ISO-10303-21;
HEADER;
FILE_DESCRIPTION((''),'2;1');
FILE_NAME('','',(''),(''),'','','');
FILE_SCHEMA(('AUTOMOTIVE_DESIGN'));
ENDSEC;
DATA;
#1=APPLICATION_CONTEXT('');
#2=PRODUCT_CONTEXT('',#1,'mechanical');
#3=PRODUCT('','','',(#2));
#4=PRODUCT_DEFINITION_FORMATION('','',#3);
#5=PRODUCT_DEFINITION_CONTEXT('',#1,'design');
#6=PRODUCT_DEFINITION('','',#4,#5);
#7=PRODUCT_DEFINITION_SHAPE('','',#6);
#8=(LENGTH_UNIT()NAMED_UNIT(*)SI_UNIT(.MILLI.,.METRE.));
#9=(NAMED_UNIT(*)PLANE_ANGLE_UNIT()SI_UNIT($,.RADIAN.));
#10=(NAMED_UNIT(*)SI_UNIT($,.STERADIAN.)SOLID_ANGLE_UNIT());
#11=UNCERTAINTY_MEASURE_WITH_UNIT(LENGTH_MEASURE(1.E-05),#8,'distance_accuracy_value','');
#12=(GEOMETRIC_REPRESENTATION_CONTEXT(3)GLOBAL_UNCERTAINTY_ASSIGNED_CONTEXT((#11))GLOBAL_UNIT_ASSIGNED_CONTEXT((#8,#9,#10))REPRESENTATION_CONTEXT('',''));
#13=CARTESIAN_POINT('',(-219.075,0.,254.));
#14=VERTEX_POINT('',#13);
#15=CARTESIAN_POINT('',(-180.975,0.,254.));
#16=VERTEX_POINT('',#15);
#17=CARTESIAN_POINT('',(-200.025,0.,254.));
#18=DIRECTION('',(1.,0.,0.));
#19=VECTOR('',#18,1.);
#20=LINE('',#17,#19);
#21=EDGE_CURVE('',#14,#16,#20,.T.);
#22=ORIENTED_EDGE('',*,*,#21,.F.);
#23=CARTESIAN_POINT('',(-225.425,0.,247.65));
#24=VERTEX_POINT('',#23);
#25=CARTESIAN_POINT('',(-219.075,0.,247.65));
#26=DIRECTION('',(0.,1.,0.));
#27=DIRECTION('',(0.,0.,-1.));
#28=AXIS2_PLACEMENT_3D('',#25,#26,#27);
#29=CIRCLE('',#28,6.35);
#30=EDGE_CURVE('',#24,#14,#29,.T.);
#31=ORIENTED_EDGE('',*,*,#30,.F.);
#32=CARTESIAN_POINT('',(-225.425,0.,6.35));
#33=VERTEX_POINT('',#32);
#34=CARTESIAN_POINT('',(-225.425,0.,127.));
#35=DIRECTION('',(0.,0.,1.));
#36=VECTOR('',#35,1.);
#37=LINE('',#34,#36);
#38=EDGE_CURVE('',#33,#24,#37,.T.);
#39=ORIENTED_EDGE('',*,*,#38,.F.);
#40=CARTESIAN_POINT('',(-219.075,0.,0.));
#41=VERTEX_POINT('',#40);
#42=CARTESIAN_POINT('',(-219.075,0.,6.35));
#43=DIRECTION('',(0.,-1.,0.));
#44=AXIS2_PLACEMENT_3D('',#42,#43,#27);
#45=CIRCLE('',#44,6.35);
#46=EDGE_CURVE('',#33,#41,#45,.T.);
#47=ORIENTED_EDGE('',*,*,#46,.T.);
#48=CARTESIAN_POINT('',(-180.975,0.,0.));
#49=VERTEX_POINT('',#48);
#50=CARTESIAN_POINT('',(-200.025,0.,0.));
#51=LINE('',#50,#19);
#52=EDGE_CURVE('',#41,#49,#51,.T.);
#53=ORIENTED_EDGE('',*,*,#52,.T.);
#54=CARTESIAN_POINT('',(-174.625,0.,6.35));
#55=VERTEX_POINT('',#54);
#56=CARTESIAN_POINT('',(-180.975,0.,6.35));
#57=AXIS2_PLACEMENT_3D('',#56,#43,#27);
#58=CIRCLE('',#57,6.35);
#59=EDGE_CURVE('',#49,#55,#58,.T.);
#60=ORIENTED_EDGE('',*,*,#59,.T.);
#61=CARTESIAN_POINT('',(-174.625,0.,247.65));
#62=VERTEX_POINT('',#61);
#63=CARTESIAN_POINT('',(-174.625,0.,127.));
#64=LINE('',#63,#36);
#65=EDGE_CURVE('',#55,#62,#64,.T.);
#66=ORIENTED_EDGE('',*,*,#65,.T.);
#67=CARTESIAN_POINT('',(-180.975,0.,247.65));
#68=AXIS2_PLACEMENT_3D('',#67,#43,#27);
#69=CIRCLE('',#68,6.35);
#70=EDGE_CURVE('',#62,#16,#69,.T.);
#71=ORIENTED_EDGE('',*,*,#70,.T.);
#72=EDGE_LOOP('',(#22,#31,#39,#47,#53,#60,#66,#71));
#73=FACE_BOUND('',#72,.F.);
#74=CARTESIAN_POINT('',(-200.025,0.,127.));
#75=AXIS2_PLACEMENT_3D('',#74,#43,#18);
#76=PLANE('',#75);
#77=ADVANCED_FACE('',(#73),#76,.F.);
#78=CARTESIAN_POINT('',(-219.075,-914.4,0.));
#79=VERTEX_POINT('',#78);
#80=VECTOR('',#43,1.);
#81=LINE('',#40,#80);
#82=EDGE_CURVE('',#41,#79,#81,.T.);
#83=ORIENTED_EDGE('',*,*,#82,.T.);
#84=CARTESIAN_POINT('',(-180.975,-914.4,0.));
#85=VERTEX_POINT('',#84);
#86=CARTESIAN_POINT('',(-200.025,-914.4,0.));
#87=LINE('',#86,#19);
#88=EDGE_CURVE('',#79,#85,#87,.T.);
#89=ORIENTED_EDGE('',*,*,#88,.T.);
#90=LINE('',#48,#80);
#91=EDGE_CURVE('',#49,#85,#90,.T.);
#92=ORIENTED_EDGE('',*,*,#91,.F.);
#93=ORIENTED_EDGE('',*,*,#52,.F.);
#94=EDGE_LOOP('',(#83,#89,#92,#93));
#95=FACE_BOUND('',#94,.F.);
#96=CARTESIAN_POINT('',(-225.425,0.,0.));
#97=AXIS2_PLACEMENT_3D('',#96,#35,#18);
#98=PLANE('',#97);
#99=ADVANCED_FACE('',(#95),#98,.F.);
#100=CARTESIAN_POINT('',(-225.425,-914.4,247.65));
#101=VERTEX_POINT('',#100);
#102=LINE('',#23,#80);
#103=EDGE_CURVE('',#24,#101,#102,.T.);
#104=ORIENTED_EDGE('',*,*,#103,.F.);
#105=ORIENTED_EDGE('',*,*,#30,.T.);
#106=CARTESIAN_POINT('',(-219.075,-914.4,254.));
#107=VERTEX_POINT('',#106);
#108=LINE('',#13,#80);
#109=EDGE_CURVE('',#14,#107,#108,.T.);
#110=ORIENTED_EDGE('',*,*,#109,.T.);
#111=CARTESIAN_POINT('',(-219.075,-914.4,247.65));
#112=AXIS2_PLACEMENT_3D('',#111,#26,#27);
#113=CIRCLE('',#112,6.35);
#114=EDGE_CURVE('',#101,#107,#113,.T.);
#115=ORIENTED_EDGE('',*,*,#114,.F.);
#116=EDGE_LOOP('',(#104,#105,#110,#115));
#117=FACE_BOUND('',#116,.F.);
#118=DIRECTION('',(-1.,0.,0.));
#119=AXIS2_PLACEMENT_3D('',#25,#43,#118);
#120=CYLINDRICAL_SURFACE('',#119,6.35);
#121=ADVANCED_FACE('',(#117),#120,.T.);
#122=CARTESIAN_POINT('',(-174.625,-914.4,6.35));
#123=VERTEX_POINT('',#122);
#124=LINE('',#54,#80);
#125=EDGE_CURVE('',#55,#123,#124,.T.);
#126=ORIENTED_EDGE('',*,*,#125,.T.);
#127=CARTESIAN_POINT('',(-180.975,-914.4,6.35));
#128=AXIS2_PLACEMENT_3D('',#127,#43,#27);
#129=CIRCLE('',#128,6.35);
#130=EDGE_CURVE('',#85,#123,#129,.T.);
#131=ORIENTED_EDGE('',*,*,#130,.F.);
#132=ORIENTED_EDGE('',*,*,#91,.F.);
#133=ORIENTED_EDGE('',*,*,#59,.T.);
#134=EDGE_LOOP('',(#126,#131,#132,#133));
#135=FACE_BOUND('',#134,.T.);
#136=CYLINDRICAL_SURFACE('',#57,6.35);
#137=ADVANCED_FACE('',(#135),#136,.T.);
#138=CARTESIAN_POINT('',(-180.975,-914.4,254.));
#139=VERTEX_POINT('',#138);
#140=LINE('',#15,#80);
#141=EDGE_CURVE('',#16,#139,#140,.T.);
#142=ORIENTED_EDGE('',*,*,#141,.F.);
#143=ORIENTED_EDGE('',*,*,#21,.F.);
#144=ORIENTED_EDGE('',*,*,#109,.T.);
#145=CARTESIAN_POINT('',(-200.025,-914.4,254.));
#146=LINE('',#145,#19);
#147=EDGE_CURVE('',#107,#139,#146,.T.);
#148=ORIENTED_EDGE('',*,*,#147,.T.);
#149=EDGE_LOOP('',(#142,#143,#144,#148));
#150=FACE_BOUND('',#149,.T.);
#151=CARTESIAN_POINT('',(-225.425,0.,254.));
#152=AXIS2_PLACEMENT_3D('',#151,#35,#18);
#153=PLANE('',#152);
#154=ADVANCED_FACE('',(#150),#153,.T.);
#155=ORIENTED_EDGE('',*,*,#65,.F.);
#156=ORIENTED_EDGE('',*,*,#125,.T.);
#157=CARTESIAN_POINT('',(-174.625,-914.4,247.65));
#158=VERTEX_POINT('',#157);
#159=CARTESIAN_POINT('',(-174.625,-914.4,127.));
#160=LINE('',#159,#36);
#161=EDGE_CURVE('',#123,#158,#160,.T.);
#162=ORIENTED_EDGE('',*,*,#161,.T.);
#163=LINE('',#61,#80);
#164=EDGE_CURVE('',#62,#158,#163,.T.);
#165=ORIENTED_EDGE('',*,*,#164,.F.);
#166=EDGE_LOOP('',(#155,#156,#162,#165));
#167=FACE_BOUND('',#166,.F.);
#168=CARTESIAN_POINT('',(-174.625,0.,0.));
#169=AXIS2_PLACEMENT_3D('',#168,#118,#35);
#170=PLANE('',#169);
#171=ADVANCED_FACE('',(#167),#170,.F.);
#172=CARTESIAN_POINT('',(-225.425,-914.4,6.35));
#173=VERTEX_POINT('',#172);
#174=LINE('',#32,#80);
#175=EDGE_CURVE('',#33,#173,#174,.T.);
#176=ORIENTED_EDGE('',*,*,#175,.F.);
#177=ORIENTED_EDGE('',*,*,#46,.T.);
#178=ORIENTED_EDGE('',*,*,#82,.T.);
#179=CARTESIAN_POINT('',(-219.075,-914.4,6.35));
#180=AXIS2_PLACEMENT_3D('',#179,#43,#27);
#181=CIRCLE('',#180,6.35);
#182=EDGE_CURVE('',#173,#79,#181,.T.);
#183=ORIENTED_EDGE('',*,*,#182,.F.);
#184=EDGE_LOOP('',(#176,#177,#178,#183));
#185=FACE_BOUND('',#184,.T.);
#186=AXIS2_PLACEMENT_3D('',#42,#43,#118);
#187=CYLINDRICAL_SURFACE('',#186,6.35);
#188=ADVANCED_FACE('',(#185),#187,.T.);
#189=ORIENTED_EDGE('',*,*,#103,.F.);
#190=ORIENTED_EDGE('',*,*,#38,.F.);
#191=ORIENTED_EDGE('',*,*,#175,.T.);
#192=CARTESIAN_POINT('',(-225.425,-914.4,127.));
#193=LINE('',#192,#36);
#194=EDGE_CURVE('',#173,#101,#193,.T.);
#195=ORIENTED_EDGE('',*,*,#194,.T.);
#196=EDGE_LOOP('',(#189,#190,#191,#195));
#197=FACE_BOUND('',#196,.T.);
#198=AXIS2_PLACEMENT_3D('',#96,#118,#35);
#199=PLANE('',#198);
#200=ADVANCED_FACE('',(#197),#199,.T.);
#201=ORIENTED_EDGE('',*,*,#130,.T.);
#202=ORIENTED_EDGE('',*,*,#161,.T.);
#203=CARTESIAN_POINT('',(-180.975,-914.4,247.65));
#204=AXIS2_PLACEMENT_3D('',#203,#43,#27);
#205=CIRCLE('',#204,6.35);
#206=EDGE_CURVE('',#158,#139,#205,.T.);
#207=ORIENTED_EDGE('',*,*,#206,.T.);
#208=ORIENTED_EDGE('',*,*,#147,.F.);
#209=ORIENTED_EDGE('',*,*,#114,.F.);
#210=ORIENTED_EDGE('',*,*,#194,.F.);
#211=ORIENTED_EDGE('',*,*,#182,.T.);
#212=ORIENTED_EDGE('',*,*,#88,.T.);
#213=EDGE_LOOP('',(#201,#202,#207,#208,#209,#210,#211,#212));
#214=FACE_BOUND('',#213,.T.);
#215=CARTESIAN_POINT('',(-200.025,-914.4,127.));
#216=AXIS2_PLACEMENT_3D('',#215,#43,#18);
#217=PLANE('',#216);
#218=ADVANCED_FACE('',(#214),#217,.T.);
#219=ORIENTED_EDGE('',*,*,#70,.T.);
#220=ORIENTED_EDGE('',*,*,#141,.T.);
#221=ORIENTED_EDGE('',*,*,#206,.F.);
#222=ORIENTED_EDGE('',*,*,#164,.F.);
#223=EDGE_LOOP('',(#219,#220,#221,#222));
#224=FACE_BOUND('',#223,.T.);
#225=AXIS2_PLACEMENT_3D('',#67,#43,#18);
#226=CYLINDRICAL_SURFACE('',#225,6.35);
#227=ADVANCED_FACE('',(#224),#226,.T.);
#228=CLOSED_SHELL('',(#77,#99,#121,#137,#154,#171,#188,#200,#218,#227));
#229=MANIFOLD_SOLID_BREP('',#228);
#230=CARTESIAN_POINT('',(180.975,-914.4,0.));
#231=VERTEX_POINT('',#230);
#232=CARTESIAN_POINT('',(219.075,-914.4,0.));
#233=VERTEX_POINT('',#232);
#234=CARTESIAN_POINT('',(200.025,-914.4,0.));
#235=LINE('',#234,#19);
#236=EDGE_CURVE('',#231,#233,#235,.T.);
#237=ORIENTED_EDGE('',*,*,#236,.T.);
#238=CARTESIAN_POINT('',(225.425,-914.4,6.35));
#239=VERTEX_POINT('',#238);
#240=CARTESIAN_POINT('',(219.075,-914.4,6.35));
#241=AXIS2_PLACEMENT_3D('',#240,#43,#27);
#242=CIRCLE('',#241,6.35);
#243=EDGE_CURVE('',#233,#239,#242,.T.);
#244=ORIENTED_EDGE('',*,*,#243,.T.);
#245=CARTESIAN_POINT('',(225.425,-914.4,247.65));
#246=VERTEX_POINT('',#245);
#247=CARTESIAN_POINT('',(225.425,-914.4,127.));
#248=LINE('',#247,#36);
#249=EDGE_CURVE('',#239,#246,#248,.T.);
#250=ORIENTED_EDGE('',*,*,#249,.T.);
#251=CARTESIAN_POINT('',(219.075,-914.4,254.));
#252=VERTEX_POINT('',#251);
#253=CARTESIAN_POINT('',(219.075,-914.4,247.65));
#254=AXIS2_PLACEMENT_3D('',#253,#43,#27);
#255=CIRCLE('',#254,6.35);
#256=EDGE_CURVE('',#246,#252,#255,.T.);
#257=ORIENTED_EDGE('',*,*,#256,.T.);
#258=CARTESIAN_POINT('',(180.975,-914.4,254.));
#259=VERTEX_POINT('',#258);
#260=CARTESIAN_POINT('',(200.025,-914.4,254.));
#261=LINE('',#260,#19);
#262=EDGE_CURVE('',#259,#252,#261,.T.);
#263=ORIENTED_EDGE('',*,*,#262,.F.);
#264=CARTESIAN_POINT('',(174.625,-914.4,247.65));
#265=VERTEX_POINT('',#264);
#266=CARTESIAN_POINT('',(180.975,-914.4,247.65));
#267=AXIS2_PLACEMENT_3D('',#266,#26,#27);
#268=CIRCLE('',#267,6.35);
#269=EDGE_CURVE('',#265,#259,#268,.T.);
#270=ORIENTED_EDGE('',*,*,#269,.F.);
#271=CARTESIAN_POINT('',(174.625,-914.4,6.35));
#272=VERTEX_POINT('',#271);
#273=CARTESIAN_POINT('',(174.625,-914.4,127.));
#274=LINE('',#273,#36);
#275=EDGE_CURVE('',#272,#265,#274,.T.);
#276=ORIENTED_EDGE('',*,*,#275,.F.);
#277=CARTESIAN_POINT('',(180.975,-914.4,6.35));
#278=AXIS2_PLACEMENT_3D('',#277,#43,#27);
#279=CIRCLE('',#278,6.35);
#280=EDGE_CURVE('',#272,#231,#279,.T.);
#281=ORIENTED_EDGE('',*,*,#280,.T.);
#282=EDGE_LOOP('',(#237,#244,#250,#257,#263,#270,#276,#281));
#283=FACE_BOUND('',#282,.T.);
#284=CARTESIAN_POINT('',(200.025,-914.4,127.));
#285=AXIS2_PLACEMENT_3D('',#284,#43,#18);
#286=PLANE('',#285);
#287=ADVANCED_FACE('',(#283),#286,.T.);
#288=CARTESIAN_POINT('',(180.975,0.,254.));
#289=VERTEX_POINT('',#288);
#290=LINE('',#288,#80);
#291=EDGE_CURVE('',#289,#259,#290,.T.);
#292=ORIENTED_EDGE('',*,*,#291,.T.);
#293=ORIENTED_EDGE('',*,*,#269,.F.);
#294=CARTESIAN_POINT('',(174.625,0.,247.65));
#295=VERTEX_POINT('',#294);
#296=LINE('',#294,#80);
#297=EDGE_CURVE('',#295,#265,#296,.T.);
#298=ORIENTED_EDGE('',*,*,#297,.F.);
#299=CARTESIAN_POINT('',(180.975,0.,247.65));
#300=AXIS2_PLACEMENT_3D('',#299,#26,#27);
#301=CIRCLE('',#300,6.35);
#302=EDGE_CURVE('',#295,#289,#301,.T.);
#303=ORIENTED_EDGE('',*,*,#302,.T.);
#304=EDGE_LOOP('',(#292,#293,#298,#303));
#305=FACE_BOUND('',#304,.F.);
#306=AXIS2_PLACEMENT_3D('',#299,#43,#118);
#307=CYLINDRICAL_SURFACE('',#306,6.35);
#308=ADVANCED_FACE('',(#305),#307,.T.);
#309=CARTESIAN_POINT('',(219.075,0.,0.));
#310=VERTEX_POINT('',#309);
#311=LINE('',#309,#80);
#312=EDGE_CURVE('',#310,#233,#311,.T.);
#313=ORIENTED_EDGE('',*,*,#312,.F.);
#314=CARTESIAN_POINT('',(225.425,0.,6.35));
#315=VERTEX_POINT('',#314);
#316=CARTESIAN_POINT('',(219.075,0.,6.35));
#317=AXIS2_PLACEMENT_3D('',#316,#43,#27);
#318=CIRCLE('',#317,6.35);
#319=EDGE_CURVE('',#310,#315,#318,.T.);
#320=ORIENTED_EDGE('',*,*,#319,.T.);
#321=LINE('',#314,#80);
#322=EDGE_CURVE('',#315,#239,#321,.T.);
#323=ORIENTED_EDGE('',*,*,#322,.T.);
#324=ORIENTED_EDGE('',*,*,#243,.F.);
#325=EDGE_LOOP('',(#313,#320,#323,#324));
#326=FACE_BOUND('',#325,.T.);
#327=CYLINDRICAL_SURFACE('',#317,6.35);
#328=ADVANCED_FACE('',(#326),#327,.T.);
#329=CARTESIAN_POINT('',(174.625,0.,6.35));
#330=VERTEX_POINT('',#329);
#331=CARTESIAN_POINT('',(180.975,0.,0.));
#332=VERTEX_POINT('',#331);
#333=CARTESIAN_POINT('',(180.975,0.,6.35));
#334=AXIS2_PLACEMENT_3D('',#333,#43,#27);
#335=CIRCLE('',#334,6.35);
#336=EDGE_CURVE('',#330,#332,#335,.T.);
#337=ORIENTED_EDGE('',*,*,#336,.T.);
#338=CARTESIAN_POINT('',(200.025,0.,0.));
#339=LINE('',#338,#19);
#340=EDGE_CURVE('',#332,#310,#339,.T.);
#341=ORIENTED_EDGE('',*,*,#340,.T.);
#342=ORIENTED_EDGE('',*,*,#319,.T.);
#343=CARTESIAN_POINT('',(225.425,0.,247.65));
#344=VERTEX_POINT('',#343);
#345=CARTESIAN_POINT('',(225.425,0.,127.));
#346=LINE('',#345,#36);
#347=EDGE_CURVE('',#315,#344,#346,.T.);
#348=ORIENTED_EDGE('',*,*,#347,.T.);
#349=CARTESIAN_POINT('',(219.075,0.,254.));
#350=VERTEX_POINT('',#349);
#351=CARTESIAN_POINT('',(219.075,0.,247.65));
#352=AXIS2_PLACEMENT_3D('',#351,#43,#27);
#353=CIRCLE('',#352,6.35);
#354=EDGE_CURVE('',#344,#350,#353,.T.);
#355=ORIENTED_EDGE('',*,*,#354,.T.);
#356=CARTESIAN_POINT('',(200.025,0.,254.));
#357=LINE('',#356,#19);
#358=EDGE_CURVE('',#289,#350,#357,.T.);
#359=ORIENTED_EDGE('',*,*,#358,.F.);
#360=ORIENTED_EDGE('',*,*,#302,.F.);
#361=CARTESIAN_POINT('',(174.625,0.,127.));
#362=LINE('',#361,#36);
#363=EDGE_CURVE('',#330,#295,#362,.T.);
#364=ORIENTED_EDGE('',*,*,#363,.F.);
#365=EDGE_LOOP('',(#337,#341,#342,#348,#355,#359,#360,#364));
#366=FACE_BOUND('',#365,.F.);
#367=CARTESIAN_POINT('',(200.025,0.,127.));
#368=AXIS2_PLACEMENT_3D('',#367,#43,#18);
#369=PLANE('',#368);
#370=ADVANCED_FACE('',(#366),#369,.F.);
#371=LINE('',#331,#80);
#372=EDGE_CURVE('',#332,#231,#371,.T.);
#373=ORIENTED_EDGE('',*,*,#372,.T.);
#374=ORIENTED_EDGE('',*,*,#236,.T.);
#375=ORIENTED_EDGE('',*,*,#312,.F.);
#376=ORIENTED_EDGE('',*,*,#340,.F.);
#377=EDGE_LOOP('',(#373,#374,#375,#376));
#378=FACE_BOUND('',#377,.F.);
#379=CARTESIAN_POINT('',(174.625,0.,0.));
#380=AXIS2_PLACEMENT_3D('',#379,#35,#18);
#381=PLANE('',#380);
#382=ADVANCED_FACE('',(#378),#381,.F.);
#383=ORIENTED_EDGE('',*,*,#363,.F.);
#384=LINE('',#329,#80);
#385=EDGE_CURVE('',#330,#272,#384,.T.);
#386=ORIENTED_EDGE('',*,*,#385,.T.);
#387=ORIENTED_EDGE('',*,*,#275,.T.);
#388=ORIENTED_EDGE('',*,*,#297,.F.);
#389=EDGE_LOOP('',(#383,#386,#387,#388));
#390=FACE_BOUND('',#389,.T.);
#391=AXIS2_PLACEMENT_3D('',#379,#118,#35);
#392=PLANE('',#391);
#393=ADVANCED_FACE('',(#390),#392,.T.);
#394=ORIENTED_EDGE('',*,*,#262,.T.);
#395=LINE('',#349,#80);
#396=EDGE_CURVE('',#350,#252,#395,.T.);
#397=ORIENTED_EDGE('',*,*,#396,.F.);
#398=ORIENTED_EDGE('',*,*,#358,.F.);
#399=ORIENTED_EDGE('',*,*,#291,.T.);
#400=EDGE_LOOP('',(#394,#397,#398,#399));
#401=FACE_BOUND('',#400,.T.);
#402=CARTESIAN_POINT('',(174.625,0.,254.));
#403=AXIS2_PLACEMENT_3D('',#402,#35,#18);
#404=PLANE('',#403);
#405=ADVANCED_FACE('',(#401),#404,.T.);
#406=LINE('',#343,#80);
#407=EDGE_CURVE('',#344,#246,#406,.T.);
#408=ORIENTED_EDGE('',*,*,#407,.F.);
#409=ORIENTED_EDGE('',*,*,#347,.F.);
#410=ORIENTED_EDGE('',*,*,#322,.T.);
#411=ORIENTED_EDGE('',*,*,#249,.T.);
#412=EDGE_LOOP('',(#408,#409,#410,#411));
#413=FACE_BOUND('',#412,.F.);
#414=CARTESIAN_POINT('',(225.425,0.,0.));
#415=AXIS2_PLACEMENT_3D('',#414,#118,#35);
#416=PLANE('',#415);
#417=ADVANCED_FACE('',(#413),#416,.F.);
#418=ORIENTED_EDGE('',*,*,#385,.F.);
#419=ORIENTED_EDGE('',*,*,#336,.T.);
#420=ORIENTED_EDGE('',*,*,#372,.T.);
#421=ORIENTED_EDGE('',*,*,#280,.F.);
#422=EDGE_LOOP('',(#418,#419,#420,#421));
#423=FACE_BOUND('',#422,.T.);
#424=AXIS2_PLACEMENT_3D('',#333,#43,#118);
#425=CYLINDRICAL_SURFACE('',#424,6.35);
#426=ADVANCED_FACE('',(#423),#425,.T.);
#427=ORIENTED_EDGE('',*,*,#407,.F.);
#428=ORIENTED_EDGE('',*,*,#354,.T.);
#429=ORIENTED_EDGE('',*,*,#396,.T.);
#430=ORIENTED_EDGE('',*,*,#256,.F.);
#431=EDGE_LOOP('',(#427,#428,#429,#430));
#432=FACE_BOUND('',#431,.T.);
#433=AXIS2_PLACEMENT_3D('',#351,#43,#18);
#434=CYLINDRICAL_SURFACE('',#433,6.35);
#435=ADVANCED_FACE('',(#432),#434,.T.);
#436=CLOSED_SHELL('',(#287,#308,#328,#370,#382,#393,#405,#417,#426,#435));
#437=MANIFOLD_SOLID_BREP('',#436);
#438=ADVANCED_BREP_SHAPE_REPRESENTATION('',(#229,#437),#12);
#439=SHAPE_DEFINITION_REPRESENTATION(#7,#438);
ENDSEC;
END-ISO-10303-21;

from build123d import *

# Parameters (mm, degrees)
F0_W     = 50.8
F0_H     = 254
F1_DEPTH = 914.4
F2_R     = 6.35


with BuildPart() as f1:
    # F0 (on Front) → F1 (new body)
    with BuildSketch(Plane.XZ):
        with Locations((-200.025, 127)):
            Rectangle(F0_W, F0_H)
        with Locations((200.025, 127)):
            Rectangle(F0_W, F0_H)
    extrude(amount=F1_DEPTH)

    # F2
    f2_edges = [f1.edges().sort_by_distance(p)[0] for p in [
        (-174.625, -457.2, 254),
        (-225.425, -457.2, 254),
        (-174.625, -457.2, 0),
        (-225.425, -457.2, 0),
        (174.625, -457.2, 254),
        (225.425, -457.2, 254),
        (225.425, -457.2, 0),
        (174.625, -457.2, 0),
    ]]
    fillet(f2_edges, radius=F2_R)


solid = f1.part
